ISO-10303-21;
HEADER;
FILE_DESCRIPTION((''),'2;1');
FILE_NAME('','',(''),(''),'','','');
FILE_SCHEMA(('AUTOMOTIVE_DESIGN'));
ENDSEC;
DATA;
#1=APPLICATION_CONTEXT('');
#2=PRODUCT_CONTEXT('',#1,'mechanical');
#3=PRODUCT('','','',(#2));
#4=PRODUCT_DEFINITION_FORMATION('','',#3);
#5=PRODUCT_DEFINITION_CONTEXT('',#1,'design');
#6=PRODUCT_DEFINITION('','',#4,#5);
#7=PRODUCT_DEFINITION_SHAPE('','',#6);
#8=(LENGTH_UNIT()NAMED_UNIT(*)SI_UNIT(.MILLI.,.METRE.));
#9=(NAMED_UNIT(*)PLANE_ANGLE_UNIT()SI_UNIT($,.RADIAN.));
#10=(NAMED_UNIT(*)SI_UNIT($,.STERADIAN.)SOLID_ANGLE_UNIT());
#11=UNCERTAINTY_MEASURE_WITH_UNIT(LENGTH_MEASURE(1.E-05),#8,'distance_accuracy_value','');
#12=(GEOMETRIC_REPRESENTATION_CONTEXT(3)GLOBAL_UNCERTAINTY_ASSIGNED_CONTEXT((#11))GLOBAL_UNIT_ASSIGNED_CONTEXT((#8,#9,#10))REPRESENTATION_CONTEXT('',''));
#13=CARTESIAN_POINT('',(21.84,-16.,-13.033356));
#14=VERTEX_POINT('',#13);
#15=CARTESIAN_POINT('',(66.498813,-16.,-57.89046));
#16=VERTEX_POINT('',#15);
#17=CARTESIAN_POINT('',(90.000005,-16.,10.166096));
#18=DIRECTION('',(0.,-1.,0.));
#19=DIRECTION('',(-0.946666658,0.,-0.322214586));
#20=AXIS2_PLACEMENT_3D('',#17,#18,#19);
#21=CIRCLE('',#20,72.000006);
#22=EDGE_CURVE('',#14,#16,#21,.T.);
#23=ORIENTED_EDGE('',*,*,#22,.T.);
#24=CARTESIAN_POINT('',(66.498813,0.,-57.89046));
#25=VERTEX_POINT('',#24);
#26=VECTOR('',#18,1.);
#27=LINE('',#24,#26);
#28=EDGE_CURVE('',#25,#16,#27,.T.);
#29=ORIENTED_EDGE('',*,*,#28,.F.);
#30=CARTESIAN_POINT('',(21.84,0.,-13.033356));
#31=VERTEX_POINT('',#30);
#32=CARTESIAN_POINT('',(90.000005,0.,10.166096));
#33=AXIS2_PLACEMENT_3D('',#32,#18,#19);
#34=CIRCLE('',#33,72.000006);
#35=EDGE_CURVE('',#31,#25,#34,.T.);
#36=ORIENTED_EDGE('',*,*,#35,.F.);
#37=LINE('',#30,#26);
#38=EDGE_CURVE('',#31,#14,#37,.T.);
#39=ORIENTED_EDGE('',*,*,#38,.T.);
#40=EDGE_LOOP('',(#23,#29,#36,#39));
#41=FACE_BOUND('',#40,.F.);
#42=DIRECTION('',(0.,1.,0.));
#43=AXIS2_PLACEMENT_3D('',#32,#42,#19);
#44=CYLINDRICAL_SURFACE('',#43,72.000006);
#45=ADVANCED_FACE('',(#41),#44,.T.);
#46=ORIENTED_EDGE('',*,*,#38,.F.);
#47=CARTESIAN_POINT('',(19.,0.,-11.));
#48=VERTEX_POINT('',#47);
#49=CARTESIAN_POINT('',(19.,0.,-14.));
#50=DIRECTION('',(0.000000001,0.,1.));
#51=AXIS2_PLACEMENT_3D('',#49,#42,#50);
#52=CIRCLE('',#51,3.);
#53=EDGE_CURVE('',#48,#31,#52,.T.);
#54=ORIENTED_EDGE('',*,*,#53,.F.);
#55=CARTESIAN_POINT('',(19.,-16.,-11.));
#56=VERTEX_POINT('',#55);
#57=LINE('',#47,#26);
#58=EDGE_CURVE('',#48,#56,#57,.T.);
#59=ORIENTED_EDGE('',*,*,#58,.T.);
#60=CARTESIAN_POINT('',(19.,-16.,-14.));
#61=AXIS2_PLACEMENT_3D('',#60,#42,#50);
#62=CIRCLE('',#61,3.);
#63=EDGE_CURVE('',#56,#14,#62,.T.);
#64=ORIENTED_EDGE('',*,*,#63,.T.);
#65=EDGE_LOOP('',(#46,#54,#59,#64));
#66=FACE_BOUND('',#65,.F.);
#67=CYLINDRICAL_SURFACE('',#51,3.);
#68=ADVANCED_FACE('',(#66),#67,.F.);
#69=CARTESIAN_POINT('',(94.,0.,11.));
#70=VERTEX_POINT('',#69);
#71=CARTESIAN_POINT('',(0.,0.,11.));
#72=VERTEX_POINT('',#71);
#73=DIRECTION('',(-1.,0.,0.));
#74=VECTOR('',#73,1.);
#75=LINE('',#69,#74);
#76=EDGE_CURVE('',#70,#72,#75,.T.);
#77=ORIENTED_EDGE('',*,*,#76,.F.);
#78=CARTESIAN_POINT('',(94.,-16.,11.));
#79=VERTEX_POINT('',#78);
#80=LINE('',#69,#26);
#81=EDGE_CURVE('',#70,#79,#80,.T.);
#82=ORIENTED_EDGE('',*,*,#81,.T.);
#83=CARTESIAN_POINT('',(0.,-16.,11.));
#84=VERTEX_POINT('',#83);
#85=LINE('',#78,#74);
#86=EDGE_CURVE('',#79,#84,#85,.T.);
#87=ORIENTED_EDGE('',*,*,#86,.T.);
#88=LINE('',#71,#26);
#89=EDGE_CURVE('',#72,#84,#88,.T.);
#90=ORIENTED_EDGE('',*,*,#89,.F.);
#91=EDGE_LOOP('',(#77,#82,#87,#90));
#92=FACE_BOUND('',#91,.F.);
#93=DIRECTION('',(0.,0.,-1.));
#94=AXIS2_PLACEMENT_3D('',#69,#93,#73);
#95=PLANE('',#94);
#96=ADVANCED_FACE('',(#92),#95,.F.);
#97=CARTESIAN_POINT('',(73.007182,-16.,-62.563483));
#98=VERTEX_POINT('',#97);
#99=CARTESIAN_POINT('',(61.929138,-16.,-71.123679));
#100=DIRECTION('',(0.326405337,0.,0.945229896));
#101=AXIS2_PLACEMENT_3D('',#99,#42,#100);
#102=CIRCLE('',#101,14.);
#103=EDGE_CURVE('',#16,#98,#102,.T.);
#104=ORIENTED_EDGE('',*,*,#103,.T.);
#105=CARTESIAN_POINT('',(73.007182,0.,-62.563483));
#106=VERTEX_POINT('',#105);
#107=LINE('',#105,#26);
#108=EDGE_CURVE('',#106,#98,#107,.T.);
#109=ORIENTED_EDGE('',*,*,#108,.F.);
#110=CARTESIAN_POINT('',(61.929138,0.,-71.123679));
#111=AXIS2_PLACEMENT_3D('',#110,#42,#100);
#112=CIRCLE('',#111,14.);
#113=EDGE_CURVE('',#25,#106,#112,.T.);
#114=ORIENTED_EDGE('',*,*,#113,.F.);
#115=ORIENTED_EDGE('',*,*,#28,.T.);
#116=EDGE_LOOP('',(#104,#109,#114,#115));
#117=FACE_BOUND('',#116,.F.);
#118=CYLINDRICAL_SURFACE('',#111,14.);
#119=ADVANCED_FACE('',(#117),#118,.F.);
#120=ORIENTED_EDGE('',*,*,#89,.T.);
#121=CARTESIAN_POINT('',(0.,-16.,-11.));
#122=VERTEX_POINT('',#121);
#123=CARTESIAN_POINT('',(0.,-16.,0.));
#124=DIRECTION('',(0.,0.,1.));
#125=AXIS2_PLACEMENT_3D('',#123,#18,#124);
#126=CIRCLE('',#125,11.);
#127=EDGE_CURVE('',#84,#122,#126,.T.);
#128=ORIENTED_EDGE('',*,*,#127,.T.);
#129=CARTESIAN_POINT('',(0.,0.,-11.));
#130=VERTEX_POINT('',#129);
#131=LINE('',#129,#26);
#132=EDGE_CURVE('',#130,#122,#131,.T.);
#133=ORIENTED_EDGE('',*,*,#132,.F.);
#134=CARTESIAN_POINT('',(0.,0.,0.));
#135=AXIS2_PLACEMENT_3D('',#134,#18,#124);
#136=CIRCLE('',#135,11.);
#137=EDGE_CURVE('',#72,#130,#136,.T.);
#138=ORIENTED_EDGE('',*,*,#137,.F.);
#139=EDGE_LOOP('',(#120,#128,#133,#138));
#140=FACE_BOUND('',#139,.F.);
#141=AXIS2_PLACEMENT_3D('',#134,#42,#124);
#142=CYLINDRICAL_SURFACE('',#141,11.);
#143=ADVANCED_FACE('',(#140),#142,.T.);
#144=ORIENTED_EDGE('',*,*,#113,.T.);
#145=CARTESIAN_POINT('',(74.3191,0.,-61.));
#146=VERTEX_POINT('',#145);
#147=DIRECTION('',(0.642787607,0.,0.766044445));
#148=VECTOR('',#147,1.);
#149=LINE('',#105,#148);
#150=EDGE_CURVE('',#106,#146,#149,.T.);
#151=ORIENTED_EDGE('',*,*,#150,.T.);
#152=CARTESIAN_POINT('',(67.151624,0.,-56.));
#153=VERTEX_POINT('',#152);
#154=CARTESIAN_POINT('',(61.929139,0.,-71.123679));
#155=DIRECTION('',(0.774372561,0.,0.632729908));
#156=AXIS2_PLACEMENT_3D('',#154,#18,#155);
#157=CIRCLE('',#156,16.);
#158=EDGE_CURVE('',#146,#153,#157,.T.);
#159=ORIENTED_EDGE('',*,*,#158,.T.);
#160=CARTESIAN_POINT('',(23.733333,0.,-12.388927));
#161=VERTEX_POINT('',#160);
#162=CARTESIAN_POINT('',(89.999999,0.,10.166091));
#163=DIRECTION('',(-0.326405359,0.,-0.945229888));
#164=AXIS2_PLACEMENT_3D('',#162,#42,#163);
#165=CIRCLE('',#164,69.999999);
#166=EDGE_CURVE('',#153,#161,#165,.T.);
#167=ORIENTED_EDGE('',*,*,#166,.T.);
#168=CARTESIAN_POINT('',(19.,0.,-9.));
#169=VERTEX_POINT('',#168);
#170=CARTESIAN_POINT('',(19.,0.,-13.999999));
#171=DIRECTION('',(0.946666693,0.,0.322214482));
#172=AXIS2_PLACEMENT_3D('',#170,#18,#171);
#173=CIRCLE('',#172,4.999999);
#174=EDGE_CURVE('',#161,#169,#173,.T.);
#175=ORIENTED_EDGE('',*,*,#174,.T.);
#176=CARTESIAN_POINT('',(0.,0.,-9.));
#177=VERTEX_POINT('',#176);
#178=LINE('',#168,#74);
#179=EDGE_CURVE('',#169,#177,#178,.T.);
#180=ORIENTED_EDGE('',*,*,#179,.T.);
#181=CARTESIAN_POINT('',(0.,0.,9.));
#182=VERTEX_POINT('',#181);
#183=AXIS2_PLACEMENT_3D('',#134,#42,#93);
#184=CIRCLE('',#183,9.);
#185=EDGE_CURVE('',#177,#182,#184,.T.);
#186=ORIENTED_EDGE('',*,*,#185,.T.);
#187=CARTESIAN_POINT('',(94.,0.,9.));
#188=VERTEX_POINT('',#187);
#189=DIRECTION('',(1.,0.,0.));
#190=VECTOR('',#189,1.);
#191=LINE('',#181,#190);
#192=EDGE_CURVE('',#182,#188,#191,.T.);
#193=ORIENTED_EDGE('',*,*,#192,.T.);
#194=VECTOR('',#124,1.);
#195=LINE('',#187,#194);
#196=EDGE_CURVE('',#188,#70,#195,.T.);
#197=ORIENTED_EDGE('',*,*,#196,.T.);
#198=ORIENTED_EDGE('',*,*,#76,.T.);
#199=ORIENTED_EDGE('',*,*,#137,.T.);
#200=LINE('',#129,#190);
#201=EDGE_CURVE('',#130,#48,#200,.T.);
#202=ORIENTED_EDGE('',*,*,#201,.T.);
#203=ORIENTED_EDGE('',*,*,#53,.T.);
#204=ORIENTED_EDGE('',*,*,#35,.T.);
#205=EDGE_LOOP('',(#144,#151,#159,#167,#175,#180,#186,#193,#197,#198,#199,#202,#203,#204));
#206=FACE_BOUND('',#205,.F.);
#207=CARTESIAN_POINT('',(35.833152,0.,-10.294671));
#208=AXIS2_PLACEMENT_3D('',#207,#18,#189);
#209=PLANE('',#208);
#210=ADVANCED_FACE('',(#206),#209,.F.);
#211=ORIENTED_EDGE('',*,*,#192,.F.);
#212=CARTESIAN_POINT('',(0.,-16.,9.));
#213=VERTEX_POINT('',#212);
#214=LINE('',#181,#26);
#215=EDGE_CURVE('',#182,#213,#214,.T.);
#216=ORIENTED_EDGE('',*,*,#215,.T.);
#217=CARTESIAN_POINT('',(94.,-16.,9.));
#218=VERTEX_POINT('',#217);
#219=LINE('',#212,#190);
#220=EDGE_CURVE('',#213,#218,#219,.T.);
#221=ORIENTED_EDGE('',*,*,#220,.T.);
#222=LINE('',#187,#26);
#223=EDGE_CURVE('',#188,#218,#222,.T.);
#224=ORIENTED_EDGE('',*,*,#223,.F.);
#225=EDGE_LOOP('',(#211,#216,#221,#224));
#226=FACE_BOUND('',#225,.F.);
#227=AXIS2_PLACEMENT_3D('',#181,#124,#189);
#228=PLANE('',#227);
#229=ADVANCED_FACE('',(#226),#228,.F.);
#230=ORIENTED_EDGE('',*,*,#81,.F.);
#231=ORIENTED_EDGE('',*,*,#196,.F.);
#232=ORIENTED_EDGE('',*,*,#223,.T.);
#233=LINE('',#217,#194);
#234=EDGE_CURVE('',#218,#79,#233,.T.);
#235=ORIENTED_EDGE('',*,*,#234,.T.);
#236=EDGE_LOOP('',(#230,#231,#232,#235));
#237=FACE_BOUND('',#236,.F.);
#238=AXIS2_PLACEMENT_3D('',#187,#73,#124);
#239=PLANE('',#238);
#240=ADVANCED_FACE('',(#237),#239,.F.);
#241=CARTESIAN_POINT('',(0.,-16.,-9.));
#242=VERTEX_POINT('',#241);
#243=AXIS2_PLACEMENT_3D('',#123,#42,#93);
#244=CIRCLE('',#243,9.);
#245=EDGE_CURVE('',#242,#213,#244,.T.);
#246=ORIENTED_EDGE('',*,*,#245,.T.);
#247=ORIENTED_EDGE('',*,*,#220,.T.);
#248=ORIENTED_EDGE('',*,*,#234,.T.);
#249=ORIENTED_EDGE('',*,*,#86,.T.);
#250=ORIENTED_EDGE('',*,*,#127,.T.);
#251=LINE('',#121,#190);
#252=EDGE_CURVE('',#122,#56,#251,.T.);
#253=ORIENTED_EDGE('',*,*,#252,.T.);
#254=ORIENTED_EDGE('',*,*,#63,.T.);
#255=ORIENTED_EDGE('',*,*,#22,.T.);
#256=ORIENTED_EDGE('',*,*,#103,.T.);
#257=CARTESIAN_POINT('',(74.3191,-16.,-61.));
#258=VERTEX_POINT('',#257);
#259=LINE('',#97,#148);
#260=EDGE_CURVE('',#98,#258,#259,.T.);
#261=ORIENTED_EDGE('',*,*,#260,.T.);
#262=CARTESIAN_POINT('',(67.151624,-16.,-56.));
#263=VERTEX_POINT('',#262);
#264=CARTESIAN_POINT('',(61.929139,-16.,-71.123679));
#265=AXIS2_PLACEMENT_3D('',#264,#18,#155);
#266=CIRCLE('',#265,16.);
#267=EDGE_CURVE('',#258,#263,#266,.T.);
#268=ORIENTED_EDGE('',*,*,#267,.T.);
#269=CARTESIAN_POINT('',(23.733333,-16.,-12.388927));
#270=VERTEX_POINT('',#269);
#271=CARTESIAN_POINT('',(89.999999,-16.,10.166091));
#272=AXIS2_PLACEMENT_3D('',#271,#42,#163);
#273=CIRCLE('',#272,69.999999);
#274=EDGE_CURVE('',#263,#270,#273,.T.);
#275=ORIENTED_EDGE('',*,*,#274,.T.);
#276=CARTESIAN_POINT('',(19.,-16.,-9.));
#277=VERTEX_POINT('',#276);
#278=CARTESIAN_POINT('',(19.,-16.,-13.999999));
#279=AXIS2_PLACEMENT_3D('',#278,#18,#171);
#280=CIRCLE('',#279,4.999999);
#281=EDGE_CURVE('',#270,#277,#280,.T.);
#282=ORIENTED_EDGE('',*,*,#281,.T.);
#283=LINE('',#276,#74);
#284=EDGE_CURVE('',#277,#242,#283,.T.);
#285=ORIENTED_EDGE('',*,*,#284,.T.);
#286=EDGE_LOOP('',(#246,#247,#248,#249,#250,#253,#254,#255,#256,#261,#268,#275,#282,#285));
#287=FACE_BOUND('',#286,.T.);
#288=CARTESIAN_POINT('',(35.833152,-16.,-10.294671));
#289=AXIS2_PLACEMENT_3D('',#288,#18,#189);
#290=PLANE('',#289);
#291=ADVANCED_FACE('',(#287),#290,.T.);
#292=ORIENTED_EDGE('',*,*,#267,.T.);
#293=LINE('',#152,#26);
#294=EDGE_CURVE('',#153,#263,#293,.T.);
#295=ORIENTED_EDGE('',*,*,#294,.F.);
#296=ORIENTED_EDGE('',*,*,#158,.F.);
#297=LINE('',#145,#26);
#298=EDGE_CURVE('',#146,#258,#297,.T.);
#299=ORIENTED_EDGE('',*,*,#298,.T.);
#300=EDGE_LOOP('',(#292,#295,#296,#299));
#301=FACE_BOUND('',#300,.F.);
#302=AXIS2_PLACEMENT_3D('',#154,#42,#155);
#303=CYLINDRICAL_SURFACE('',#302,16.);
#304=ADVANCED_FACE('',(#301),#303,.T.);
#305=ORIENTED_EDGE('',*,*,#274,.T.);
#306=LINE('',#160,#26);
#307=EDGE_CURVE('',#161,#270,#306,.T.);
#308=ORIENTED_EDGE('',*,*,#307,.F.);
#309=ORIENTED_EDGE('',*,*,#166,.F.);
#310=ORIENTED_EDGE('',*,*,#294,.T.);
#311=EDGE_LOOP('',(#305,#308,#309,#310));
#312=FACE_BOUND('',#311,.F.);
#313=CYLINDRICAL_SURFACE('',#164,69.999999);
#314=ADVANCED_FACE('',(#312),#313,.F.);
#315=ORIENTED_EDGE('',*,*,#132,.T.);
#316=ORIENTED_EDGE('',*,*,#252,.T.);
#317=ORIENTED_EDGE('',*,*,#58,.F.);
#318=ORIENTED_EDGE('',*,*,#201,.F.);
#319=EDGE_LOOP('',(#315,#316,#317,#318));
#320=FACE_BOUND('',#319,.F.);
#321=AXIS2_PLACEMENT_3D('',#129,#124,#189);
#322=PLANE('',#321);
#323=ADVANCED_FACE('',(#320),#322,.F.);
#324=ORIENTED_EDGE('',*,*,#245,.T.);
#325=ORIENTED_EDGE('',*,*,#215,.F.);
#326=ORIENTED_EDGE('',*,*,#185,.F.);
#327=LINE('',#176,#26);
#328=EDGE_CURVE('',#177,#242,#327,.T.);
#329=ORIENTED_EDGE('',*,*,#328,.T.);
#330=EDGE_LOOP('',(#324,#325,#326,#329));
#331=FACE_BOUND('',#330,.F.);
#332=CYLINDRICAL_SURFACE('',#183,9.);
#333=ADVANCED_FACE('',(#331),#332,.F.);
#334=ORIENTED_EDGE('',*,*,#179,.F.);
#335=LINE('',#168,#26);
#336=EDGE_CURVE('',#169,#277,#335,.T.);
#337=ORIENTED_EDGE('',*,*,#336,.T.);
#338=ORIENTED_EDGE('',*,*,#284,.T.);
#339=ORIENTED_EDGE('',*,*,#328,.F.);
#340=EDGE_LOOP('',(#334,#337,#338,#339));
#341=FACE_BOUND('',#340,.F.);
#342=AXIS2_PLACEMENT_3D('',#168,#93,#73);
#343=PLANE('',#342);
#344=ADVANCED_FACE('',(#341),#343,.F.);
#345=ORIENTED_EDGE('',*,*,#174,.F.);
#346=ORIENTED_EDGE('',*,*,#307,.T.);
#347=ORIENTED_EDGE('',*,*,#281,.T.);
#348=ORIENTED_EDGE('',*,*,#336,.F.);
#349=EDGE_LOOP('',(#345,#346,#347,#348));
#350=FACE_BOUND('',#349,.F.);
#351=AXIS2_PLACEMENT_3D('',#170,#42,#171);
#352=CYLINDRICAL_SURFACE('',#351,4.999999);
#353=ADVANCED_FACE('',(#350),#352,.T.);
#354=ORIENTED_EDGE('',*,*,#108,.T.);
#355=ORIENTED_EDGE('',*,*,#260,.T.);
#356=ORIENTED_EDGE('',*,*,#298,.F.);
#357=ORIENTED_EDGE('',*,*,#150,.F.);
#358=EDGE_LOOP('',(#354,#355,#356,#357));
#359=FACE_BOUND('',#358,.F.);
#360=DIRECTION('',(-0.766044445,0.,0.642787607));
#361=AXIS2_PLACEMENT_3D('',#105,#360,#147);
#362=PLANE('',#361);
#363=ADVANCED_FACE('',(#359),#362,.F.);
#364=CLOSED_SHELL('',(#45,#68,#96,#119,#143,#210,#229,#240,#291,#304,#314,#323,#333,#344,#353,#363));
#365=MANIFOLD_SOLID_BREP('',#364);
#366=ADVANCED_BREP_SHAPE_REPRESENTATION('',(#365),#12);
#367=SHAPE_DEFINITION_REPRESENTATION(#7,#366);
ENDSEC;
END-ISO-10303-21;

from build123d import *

# Parameters (mm, degrees)
F1_DEPTH = 16


with BuildPart() as f1:
    # F0 (on Front) → F1 (new body)
    with BuildSketch(Plane.XZ):
        with BuildLine():
            ThreePointArc((0, -9), (-9, 0), (0, 9))
            Line((0, 9), (94, 9))
            Line((94, 9), (94, 11))
            Line((94, 11), (0, 11))
            ThreePointArc((0, 11), (-11, 0), (0, -11))
            Line((0, -11), (19, -11))
            ThreePointArc((19, -11), (20.746435, -11.560745), (21.84, -13.033356))
            ThreePointArc((21.84, -13.033356), (38.975661, -40.632695), (66.498813, -57.89046))
            ThreePointArc((66.498813, -57.89046), (70.094434, -59.751434), (73.007182, -62.563483))
            Line((73.007182, -62.563483), (74.3191, -61))
            ThreePointArc((74.3191, -61), (71.083349, -58.001162), (67.151624, -56))
            ThreePointArc((67.151624, -56), (40.393003, -39.221618), (23.733333, -12.388927))
            ThreePointArc((23.733333, -12.388927), (21.910725, -9.934575), (19, -9))
            Line((19, -9), (0, -9))
        make_face()
    extrude(amount=F1_DEPTH)


solid = f1.part
